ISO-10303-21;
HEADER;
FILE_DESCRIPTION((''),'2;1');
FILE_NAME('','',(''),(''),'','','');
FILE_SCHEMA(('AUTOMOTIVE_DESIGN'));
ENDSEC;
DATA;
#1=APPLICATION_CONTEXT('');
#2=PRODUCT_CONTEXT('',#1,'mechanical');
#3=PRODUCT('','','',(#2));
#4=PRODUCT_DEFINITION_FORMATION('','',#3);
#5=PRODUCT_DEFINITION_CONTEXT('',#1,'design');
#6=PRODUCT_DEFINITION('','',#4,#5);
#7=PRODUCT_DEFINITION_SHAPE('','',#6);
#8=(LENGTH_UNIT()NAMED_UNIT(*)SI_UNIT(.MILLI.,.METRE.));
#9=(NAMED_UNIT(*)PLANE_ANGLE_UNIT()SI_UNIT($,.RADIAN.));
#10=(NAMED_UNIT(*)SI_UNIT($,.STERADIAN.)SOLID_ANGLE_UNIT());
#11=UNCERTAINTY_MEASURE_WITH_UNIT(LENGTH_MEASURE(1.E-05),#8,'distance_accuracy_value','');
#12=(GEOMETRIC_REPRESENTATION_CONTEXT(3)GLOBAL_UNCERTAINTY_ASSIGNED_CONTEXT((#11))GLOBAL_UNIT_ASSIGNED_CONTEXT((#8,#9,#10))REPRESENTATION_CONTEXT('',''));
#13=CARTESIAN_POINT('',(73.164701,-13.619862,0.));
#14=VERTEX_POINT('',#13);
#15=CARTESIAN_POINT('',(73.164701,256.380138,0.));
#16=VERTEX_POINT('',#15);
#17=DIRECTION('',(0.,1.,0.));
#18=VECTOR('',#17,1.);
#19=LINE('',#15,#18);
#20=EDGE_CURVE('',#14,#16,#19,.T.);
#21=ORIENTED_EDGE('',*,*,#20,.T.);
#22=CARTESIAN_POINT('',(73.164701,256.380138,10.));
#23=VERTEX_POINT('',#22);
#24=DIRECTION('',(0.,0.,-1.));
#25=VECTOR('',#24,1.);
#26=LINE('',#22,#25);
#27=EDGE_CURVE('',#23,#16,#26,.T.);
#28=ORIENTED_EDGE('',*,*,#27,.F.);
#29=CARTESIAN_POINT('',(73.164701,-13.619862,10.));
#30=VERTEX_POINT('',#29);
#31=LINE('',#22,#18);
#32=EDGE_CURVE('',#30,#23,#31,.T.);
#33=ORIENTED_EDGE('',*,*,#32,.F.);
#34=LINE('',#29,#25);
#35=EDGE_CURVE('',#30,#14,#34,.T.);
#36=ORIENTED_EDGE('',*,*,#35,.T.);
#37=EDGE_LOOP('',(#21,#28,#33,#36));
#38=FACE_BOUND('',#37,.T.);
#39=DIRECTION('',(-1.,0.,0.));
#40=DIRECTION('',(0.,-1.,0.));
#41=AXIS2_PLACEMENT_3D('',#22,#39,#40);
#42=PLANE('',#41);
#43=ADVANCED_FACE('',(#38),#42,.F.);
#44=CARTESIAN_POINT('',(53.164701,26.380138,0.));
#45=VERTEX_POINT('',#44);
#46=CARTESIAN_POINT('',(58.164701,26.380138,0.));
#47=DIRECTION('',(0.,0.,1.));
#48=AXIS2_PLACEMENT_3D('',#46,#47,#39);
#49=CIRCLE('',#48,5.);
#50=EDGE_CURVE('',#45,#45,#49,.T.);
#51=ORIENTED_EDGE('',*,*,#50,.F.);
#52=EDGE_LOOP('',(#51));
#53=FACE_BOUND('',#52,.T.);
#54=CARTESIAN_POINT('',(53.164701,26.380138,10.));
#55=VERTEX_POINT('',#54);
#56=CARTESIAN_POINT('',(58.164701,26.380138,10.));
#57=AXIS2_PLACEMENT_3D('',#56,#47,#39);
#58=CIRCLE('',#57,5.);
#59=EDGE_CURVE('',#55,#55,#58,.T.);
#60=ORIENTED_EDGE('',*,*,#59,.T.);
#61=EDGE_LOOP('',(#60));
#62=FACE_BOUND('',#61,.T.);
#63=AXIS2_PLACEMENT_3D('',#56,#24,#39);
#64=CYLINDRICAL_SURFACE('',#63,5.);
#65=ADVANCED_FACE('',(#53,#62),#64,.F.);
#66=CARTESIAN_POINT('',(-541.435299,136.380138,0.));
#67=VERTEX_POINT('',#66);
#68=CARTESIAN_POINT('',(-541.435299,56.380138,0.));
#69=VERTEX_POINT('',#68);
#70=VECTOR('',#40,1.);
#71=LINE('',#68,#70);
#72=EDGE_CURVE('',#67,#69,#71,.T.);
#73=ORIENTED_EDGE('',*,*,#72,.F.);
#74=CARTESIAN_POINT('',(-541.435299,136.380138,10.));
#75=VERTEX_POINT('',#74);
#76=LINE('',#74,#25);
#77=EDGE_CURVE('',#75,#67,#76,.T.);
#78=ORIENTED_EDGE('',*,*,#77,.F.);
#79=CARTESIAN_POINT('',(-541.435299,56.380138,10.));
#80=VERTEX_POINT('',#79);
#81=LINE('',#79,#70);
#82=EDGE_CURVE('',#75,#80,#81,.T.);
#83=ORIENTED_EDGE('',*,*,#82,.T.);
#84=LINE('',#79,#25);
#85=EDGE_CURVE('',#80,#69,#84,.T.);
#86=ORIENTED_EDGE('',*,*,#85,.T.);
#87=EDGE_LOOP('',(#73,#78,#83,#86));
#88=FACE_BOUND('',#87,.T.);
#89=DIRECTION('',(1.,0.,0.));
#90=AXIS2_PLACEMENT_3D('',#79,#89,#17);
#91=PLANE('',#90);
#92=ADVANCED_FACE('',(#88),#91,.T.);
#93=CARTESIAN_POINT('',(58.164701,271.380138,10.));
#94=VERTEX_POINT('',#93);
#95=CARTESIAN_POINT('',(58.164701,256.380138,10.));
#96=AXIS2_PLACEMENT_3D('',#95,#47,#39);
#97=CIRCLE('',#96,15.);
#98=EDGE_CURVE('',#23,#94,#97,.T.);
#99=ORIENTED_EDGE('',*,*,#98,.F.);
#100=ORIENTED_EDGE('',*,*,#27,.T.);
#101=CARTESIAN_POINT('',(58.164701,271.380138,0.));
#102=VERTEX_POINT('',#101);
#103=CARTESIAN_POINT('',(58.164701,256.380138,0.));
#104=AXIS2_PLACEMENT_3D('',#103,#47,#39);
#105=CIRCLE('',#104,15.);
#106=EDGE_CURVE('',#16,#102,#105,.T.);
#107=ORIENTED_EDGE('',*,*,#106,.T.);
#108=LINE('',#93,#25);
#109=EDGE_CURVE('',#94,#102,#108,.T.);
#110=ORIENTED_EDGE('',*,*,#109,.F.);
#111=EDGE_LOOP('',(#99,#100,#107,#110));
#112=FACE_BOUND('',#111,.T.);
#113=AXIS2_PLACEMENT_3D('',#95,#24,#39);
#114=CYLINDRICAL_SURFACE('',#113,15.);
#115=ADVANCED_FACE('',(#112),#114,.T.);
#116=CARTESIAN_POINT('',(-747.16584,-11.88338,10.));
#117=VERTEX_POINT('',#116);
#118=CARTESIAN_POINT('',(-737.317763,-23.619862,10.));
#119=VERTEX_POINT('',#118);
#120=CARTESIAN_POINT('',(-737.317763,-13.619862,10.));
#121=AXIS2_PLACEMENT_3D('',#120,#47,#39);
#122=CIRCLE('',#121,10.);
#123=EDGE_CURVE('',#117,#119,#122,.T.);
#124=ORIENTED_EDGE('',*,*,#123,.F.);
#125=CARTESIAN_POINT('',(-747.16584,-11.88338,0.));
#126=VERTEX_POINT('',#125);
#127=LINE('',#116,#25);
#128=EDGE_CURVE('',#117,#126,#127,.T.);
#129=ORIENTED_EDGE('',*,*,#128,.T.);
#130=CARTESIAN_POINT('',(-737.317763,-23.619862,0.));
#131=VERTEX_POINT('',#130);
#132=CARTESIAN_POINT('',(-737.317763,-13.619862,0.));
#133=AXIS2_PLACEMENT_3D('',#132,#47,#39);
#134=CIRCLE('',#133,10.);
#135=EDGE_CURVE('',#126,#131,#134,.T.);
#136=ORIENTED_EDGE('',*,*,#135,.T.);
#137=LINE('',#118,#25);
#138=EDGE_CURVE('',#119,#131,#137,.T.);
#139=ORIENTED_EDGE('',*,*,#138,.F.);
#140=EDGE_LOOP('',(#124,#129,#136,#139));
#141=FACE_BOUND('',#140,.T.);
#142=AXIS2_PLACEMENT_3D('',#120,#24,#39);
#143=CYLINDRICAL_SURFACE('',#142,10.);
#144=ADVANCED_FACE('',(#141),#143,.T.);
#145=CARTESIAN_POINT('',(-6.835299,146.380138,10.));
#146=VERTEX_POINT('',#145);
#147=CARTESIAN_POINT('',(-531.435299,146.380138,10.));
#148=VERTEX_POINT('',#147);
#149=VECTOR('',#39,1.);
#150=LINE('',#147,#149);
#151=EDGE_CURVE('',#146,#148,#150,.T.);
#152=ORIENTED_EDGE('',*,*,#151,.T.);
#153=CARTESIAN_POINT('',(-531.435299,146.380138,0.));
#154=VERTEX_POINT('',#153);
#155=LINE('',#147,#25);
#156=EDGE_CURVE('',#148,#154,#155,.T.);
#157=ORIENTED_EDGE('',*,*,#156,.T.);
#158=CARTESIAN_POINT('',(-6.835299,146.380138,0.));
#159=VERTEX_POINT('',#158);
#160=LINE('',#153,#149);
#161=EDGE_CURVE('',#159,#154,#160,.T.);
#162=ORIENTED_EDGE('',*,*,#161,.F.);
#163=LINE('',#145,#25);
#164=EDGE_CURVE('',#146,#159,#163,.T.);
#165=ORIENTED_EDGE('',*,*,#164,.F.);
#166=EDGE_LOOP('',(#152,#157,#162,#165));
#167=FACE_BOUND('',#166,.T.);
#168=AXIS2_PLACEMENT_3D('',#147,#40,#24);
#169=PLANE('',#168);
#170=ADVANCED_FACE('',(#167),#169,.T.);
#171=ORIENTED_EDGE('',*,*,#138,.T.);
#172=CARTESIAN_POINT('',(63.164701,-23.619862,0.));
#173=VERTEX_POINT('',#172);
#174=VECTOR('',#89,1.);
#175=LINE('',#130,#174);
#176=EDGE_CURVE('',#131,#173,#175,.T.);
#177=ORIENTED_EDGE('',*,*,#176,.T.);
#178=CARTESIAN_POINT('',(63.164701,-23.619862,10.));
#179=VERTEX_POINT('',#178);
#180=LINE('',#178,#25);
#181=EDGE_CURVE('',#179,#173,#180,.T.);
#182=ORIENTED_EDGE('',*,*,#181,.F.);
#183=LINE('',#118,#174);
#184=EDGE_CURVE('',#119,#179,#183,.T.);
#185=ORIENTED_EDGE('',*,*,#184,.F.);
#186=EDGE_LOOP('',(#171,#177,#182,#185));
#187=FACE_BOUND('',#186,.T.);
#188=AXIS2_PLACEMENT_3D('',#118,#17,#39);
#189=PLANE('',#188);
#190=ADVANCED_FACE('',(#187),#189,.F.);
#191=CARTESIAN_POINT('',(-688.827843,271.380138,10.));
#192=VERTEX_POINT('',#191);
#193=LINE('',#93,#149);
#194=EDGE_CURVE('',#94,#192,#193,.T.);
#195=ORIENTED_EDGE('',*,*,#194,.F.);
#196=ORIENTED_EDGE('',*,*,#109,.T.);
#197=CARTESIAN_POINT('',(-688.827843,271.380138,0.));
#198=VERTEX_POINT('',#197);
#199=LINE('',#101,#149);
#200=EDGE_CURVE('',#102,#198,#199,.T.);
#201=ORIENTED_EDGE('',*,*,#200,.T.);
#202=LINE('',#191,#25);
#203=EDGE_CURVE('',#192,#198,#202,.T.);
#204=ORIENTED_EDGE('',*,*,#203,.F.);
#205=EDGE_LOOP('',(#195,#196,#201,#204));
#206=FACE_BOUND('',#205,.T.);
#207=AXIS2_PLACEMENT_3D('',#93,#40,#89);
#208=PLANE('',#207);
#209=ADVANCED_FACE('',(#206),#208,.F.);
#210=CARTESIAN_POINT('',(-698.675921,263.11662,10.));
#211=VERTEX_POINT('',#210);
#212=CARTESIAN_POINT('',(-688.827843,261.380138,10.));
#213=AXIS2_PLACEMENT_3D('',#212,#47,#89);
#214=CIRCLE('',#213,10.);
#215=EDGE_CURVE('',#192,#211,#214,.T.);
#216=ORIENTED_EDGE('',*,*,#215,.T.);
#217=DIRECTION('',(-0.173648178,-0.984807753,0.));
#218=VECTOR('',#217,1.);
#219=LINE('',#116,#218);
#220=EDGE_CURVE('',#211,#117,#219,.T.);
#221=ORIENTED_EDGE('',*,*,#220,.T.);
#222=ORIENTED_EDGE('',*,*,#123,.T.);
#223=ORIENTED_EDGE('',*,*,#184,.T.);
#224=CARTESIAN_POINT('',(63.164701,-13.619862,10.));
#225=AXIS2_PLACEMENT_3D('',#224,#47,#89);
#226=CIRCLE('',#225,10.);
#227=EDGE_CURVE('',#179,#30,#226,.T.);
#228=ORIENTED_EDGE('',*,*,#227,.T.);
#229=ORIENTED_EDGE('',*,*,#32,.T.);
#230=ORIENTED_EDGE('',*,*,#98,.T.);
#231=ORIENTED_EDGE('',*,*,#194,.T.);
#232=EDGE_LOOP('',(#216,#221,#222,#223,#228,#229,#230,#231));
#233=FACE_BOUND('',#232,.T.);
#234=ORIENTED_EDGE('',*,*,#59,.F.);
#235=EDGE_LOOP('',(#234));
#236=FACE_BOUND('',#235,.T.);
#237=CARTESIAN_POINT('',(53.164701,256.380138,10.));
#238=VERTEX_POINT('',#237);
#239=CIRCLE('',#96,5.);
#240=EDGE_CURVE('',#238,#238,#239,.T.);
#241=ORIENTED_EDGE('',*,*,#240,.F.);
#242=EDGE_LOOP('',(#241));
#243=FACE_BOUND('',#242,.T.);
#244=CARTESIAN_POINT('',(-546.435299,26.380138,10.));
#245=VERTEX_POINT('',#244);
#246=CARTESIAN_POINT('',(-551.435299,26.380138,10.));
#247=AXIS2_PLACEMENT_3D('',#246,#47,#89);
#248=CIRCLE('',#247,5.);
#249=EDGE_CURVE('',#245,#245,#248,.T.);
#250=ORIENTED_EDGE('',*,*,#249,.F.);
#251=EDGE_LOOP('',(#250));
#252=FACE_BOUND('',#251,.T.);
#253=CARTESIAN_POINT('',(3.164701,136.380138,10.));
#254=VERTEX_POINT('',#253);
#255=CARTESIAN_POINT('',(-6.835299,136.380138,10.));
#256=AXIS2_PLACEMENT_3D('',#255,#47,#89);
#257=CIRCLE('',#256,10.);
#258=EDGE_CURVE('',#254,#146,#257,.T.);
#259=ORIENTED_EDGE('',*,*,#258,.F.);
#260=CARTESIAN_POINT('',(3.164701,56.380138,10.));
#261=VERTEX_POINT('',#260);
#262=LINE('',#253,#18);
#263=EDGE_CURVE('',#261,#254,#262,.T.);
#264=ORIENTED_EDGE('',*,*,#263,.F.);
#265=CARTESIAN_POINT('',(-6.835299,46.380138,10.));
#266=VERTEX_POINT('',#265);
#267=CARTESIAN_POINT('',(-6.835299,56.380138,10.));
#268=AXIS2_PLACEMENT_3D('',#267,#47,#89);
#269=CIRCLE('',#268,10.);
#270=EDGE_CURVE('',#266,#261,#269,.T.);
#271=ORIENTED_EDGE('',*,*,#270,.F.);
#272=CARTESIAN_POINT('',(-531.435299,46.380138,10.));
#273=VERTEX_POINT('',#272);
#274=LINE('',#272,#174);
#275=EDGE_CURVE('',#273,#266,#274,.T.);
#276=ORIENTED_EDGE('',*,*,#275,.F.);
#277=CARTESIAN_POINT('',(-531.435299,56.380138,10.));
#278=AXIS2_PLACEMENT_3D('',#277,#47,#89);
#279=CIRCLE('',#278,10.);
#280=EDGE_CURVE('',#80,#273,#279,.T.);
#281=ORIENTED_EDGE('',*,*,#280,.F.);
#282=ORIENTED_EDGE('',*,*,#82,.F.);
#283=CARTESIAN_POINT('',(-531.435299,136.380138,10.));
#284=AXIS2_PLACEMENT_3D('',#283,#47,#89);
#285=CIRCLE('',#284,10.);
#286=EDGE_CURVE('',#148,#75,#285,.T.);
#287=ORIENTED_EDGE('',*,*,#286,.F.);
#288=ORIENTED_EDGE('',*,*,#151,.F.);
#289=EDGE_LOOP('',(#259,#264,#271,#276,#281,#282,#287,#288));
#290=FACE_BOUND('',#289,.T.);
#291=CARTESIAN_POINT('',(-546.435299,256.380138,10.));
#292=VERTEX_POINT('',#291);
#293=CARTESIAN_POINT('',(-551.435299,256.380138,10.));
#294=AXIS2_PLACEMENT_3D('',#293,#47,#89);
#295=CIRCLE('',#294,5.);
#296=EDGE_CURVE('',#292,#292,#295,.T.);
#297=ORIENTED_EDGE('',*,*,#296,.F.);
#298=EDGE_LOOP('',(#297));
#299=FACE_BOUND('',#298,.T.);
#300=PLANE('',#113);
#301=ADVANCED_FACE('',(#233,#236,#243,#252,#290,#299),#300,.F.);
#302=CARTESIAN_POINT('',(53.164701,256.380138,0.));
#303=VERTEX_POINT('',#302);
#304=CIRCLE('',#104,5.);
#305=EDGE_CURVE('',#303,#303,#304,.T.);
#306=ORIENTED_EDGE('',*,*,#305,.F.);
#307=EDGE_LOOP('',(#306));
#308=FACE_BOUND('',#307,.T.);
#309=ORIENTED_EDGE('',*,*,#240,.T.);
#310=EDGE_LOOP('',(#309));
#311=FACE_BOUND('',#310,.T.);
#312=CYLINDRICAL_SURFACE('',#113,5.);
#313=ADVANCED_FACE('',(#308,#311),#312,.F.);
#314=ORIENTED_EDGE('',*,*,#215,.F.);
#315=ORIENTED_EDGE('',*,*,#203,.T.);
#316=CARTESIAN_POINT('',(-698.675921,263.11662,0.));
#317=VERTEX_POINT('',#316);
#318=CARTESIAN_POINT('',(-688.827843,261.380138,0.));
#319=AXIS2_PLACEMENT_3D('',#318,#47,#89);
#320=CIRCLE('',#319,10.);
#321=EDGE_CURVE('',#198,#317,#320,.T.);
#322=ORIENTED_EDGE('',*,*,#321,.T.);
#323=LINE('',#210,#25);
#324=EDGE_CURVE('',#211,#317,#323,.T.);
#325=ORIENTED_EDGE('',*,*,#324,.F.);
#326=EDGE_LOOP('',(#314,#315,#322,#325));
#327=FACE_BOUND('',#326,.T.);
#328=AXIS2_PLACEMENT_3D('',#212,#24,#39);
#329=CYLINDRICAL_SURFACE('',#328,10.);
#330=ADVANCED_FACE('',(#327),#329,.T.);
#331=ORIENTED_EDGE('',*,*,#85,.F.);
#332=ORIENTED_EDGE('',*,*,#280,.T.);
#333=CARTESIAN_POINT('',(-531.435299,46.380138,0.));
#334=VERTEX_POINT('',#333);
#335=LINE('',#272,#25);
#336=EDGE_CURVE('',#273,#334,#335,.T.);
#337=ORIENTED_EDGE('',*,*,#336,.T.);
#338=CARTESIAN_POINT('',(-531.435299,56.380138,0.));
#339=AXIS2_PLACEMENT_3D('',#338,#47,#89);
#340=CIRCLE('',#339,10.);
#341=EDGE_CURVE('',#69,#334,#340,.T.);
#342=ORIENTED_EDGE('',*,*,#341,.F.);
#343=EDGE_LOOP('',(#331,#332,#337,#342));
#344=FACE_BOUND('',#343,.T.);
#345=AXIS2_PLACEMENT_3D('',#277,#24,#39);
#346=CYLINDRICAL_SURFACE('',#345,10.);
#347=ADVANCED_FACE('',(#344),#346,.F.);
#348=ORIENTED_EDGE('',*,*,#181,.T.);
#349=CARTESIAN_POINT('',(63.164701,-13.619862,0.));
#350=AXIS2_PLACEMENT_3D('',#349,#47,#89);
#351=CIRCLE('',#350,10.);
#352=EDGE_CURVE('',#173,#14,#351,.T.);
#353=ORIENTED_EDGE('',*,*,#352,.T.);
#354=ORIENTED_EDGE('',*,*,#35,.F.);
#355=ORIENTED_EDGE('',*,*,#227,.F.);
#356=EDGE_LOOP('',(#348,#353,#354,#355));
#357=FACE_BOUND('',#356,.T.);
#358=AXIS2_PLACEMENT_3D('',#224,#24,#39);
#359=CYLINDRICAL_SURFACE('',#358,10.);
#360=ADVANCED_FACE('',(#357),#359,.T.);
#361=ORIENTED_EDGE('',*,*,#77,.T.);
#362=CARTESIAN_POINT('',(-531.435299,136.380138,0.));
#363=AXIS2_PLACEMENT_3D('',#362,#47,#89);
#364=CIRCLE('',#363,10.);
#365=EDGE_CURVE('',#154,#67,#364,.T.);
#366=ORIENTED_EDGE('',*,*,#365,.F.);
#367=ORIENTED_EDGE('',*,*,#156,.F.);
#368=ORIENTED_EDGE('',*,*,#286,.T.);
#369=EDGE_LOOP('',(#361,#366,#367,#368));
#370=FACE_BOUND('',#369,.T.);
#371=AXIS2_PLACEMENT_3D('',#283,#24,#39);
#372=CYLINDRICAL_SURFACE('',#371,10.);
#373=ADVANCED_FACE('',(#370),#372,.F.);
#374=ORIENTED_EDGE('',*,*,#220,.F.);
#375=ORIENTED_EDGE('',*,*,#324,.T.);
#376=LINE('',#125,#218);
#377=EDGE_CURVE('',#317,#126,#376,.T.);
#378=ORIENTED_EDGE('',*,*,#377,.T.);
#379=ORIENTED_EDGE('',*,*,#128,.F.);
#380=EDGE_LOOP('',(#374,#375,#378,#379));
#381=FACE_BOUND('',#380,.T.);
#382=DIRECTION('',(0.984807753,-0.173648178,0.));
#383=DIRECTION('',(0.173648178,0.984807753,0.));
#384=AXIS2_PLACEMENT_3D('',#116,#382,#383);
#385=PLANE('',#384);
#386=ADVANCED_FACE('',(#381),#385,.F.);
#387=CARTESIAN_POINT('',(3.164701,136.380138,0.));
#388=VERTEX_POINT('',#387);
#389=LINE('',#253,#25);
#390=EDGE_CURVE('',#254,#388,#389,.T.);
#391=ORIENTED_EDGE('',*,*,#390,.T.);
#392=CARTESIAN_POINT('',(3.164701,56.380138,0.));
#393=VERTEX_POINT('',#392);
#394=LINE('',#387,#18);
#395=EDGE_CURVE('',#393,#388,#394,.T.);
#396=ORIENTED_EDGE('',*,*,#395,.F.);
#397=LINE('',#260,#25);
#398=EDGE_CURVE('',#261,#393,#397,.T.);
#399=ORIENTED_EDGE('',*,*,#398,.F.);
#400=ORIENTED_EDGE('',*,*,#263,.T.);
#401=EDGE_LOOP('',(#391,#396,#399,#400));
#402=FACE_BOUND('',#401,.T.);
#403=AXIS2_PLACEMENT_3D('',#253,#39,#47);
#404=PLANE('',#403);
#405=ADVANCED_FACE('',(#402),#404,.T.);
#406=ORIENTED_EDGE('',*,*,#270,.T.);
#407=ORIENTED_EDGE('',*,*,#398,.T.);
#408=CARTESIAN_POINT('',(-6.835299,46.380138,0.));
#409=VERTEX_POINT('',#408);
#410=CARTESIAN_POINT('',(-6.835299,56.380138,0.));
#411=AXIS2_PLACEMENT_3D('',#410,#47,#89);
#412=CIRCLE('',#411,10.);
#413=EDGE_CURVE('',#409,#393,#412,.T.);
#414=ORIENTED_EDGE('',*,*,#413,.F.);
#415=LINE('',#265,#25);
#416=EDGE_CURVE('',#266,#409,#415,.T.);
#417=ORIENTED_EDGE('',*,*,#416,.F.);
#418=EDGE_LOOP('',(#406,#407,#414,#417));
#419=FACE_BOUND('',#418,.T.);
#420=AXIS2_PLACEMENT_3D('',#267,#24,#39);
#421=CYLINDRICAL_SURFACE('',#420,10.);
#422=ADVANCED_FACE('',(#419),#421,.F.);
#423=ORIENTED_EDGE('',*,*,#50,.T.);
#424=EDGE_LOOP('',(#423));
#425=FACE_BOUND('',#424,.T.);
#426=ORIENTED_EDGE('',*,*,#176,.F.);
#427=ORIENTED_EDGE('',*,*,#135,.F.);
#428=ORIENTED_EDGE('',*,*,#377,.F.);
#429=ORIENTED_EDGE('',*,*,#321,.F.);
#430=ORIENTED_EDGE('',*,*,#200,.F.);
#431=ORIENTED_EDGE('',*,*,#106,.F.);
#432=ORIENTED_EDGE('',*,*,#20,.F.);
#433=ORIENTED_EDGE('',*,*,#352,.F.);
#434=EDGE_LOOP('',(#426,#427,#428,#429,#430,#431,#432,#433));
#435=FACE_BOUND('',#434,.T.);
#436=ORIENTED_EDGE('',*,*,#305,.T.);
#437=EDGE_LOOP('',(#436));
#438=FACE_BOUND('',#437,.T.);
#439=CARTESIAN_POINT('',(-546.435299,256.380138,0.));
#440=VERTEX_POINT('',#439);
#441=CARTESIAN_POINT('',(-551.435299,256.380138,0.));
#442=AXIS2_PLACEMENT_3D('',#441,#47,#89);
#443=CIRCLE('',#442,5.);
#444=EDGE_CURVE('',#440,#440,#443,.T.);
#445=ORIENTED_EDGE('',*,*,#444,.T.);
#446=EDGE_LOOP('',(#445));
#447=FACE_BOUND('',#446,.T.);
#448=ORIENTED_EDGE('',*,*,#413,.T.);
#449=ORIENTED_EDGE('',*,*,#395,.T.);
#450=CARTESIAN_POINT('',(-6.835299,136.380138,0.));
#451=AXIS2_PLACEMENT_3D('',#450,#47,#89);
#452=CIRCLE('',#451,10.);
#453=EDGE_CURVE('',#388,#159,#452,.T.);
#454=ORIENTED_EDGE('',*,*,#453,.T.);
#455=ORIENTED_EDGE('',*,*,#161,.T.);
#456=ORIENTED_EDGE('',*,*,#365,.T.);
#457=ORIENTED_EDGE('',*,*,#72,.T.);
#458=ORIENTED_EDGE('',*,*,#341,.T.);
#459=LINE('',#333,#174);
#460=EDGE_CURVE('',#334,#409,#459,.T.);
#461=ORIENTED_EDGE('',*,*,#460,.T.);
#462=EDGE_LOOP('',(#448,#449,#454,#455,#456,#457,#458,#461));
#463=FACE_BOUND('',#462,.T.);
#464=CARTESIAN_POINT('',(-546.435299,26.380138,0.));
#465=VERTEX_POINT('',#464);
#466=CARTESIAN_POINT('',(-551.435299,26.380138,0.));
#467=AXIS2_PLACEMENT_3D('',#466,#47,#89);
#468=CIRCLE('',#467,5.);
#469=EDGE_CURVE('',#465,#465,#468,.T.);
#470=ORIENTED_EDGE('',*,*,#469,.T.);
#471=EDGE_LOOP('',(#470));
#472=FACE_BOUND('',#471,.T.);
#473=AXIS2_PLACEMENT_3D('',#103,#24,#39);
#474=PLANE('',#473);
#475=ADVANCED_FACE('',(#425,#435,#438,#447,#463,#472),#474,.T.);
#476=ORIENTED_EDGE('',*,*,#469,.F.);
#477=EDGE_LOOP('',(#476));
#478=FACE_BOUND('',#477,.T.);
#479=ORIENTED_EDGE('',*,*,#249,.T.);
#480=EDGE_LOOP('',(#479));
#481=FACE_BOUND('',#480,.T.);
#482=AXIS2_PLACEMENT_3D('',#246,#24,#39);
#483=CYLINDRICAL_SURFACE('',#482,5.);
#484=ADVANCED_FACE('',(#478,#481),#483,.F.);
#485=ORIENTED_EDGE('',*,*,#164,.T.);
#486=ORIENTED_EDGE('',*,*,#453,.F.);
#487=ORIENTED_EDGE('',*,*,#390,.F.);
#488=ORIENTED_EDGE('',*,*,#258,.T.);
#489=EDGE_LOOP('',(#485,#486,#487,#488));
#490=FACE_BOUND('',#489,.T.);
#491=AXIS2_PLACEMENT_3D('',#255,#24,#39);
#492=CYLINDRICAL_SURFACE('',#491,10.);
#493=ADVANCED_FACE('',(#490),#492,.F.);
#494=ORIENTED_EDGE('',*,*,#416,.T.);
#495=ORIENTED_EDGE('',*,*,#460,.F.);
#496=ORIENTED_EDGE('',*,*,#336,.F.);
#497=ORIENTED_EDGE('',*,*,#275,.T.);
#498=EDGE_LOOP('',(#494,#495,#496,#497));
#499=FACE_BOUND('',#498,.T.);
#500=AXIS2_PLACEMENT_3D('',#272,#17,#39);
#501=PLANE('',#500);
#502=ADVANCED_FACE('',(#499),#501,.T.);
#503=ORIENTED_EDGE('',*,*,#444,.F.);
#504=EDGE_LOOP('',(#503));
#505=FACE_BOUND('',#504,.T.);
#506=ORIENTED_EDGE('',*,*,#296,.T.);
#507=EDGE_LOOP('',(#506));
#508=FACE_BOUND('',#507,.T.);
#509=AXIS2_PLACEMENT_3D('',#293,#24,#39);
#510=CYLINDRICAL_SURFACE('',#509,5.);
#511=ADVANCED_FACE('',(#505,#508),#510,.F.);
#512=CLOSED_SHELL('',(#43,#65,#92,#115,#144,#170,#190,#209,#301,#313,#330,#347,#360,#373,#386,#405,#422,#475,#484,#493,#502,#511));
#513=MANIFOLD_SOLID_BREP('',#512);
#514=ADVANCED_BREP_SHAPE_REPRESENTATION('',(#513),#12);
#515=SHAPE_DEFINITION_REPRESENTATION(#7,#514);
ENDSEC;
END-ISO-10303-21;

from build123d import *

# Parameters (mm, degrees)
SKETCH2_R           = 5
BOSS_EXTRUDE1_DEPTH = 10


with BuildPart() as part:
    # Sketch2 → Boss-Extrude1 (new body)
    with BuildSketch(Plane.XY):
        with BuildLine():
            Line((-737.317762878, -23.619861577), (63.164701196, -23.619861577))
            ThreePointArc((63.164701196, -23.619861577), (70.235769008, -20.690929389), (73.164701196, -13.619861577))
            Line((73.164701196, -13.619861577), (73.164701196, 256.380138423))
            ThreePointArc((73.164701196, 256.380138423), (68.771302914, 266.986740141), (58.164701196, 271.380138423))
            Line((58.164701196, 271.380138423), (-688.827843183, 271.380138423))
            ThreePointArc((-688.827843183, 271.380138423), (-695.25571928, 269.040582854), (-698.675920713, 263.116620199))
            Line((-698.675920713, 263.116620199), (-747.165840408, -11.883379801))
            ThreePointArc((-747.165840408, -11.883379801), (-744.978207309, -20.047737674), (-737.317762878, -23.619861577))
        make_face()
        with Locations(Location((58.164701196, 256.380138423, 0), (0, 0, 180))):
            Circle(SKETCH2_R, mode=Mode.SUBTRACT)
        with Locations((-551.435298804, 26.380138423)):
            Circle(SKETCH2_R, mode=Mode.SUBTRACT)
        with Locations(Location((58.164701196, 26.380138423, 0), (0, 0, 180))):
            Circle(SKETCH2_R, mode=Mode.SUBTRACT)
        with Locations((-551.435298804, 256.380138423)):
            Circle(SKETCH2_R, mode=Mode.SUBTRACT)
        with BuildLine():
            Line((-531.435298804, 46.380138423), (-6.835298804, 46.380138423))
            ThreePointArc((-6.835298804, 46.380138423), (0.235769008, 49.309070611), (3.164701196, 56.380138423))
            Line((3.164701196, 56.380138423), (3.164701196, 136.380138423))
            ThreePointArc((3.164701196, 136.380138423), (0.235769008, 143.451206235), (-6.835298804, 146.380138423))
            Line((-6.835298804, 146.380138423), (-531.435298804, 146.380138423))
            ThreePointArc((-531.435298804, 146.380138423), (-538.506366616, 143.451206235), (-541.435298804, 136.380138423))
            Line((-541.435298804, 136.380138423), (-541.435298804, 56.380138423))
            ThreePointArc((-541.435298804, 56.380138423), (-538.506366616, 49.309070611), (-531.435298804, 46.380138423))
        make_face(mode=Mode.SUBTRACT)
    extrude(amount=BOSS_EXTRUDE1_DEPTH)


solid = part.part
